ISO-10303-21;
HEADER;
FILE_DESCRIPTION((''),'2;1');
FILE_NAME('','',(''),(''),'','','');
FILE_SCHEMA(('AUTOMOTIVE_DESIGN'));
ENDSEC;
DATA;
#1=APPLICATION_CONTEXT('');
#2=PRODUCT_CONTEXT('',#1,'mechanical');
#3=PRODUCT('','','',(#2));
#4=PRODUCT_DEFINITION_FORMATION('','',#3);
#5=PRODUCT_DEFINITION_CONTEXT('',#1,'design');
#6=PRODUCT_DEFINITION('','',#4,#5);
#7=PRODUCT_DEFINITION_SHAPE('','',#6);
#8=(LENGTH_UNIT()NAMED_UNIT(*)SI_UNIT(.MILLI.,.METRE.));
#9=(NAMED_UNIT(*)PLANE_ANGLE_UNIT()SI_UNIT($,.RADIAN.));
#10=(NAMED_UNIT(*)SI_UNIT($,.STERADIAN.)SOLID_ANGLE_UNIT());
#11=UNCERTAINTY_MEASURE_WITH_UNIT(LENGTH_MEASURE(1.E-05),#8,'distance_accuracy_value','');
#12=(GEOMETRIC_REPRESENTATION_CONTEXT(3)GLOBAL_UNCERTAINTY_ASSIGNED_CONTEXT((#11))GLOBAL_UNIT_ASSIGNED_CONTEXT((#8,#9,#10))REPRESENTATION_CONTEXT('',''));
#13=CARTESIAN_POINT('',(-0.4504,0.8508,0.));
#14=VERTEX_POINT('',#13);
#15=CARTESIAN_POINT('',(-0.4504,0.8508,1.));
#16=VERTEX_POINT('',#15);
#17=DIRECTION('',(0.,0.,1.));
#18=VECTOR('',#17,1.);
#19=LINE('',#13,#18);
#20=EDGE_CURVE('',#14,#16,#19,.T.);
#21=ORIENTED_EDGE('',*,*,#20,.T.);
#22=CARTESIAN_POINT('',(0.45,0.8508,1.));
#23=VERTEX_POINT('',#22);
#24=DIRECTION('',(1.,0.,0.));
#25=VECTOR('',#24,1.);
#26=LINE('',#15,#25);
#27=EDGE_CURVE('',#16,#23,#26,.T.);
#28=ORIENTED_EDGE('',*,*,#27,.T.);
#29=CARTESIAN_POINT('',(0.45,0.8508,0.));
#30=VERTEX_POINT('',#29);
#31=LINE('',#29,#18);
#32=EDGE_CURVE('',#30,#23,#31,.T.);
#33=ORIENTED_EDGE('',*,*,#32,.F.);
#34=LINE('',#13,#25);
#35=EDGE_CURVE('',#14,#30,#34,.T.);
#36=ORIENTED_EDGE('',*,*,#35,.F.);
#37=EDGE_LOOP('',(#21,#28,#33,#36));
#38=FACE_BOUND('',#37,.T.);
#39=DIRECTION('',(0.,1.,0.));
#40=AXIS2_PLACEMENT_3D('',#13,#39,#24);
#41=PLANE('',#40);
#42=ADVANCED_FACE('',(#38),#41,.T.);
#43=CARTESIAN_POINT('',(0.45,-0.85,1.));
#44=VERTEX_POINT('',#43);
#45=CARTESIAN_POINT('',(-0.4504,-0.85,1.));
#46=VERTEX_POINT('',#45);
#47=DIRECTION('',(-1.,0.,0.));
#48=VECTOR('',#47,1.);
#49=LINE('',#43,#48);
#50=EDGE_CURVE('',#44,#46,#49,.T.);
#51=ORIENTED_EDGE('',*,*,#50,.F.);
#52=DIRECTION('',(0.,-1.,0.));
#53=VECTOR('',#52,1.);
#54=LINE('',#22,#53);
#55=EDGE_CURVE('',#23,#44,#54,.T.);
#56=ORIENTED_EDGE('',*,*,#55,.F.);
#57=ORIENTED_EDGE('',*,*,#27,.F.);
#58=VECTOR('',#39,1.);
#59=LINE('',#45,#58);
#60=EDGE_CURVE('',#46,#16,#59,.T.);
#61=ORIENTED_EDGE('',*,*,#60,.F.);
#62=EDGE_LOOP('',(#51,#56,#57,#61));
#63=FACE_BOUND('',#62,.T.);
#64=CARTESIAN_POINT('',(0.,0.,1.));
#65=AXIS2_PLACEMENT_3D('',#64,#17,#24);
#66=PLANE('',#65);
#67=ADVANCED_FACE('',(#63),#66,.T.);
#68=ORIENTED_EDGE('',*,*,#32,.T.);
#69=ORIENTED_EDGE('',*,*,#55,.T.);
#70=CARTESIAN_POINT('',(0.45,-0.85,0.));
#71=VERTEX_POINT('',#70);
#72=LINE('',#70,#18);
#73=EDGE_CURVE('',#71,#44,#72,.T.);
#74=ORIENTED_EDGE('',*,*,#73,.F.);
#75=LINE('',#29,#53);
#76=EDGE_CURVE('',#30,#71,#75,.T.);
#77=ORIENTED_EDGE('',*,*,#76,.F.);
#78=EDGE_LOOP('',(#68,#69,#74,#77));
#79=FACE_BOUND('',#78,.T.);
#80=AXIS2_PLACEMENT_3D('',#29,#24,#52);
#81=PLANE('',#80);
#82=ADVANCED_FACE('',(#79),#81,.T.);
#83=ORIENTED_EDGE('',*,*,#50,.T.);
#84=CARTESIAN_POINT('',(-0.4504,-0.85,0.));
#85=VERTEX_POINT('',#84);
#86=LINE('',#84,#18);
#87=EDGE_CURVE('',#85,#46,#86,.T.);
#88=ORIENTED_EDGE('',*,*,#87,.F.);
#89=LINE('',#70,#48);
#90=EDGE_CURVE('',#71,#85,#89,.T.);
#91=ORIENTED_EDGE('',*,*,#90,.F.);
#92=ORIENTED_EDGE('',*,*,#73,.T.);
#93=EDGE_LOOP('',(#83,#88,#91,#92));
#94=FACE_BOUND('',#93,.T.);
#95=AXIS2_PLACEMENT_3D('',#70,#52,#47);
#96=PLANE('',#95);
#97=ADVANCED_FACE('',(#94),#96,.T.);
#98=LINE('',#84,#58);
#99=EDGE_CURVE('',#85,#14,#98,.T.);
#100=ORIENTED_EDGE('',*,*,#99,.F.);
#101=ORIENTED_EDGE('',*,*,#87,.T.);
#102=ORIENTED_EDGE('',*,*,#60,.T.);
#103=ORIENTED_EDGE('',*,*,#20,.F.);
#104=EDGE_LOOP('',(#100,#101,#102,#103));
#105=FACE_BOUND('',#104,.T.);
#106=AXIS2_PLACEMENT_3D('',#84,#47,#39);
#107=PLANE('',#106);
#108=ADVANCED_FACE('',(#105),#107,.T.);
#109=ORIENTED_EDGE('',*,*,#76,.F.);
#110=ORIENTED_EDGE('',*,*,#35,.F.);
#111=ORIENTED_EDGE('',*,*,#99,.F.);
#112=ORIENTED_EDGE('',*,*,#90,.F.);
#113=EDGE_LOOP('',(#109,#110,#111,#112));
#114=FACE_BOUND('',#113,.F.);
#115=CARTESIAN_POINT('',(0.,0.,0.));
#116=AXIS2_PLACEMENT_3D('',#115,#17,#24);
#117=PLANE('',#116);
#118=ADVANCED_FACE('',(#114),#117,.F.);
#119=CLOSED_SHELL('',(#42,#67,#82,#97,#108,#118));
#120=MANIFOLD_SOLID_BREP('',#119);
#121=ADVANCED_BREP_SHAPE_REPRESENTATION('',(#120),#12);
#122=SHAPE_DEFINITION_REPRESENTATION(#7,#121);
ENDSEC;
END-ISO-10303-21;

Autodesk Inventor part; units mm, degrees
ref_plane "YZ Plane" through (0, 0, 0) normal (1, 0, 0) x (0, 1, 0)
ref_plane "XZ Plane" through (0, 0, 0) normal (0, 1, 0) x (-1, 0, 0)
ref_plane "XY Plane" through (0, 0, 0) normal (0, 0, 1) x (1, 0, 0)
sketch "CHIPLED_0603, CHIPLED_0603_83" plane through (0, 0, 0) normal (0, 0, 1) x (1, 0, 0)
  line L0 (-0.4504, 0.8508) -> (0.45, 0.8508)
  line L1 (0.45, 0.8508) -> (0.45, -0.85)
  line L2 (0.45, -0.85) -> (-0.4504, -0.85)
  line L3 (-0.4504, -0.85) -> (-0.4504, 0.8508)
extrude "Extrusion1" add sketch "CHIPLED_0603, CHIPLED_0603_83" along normal blind 1
properties part number "CHIPLED_0603"
